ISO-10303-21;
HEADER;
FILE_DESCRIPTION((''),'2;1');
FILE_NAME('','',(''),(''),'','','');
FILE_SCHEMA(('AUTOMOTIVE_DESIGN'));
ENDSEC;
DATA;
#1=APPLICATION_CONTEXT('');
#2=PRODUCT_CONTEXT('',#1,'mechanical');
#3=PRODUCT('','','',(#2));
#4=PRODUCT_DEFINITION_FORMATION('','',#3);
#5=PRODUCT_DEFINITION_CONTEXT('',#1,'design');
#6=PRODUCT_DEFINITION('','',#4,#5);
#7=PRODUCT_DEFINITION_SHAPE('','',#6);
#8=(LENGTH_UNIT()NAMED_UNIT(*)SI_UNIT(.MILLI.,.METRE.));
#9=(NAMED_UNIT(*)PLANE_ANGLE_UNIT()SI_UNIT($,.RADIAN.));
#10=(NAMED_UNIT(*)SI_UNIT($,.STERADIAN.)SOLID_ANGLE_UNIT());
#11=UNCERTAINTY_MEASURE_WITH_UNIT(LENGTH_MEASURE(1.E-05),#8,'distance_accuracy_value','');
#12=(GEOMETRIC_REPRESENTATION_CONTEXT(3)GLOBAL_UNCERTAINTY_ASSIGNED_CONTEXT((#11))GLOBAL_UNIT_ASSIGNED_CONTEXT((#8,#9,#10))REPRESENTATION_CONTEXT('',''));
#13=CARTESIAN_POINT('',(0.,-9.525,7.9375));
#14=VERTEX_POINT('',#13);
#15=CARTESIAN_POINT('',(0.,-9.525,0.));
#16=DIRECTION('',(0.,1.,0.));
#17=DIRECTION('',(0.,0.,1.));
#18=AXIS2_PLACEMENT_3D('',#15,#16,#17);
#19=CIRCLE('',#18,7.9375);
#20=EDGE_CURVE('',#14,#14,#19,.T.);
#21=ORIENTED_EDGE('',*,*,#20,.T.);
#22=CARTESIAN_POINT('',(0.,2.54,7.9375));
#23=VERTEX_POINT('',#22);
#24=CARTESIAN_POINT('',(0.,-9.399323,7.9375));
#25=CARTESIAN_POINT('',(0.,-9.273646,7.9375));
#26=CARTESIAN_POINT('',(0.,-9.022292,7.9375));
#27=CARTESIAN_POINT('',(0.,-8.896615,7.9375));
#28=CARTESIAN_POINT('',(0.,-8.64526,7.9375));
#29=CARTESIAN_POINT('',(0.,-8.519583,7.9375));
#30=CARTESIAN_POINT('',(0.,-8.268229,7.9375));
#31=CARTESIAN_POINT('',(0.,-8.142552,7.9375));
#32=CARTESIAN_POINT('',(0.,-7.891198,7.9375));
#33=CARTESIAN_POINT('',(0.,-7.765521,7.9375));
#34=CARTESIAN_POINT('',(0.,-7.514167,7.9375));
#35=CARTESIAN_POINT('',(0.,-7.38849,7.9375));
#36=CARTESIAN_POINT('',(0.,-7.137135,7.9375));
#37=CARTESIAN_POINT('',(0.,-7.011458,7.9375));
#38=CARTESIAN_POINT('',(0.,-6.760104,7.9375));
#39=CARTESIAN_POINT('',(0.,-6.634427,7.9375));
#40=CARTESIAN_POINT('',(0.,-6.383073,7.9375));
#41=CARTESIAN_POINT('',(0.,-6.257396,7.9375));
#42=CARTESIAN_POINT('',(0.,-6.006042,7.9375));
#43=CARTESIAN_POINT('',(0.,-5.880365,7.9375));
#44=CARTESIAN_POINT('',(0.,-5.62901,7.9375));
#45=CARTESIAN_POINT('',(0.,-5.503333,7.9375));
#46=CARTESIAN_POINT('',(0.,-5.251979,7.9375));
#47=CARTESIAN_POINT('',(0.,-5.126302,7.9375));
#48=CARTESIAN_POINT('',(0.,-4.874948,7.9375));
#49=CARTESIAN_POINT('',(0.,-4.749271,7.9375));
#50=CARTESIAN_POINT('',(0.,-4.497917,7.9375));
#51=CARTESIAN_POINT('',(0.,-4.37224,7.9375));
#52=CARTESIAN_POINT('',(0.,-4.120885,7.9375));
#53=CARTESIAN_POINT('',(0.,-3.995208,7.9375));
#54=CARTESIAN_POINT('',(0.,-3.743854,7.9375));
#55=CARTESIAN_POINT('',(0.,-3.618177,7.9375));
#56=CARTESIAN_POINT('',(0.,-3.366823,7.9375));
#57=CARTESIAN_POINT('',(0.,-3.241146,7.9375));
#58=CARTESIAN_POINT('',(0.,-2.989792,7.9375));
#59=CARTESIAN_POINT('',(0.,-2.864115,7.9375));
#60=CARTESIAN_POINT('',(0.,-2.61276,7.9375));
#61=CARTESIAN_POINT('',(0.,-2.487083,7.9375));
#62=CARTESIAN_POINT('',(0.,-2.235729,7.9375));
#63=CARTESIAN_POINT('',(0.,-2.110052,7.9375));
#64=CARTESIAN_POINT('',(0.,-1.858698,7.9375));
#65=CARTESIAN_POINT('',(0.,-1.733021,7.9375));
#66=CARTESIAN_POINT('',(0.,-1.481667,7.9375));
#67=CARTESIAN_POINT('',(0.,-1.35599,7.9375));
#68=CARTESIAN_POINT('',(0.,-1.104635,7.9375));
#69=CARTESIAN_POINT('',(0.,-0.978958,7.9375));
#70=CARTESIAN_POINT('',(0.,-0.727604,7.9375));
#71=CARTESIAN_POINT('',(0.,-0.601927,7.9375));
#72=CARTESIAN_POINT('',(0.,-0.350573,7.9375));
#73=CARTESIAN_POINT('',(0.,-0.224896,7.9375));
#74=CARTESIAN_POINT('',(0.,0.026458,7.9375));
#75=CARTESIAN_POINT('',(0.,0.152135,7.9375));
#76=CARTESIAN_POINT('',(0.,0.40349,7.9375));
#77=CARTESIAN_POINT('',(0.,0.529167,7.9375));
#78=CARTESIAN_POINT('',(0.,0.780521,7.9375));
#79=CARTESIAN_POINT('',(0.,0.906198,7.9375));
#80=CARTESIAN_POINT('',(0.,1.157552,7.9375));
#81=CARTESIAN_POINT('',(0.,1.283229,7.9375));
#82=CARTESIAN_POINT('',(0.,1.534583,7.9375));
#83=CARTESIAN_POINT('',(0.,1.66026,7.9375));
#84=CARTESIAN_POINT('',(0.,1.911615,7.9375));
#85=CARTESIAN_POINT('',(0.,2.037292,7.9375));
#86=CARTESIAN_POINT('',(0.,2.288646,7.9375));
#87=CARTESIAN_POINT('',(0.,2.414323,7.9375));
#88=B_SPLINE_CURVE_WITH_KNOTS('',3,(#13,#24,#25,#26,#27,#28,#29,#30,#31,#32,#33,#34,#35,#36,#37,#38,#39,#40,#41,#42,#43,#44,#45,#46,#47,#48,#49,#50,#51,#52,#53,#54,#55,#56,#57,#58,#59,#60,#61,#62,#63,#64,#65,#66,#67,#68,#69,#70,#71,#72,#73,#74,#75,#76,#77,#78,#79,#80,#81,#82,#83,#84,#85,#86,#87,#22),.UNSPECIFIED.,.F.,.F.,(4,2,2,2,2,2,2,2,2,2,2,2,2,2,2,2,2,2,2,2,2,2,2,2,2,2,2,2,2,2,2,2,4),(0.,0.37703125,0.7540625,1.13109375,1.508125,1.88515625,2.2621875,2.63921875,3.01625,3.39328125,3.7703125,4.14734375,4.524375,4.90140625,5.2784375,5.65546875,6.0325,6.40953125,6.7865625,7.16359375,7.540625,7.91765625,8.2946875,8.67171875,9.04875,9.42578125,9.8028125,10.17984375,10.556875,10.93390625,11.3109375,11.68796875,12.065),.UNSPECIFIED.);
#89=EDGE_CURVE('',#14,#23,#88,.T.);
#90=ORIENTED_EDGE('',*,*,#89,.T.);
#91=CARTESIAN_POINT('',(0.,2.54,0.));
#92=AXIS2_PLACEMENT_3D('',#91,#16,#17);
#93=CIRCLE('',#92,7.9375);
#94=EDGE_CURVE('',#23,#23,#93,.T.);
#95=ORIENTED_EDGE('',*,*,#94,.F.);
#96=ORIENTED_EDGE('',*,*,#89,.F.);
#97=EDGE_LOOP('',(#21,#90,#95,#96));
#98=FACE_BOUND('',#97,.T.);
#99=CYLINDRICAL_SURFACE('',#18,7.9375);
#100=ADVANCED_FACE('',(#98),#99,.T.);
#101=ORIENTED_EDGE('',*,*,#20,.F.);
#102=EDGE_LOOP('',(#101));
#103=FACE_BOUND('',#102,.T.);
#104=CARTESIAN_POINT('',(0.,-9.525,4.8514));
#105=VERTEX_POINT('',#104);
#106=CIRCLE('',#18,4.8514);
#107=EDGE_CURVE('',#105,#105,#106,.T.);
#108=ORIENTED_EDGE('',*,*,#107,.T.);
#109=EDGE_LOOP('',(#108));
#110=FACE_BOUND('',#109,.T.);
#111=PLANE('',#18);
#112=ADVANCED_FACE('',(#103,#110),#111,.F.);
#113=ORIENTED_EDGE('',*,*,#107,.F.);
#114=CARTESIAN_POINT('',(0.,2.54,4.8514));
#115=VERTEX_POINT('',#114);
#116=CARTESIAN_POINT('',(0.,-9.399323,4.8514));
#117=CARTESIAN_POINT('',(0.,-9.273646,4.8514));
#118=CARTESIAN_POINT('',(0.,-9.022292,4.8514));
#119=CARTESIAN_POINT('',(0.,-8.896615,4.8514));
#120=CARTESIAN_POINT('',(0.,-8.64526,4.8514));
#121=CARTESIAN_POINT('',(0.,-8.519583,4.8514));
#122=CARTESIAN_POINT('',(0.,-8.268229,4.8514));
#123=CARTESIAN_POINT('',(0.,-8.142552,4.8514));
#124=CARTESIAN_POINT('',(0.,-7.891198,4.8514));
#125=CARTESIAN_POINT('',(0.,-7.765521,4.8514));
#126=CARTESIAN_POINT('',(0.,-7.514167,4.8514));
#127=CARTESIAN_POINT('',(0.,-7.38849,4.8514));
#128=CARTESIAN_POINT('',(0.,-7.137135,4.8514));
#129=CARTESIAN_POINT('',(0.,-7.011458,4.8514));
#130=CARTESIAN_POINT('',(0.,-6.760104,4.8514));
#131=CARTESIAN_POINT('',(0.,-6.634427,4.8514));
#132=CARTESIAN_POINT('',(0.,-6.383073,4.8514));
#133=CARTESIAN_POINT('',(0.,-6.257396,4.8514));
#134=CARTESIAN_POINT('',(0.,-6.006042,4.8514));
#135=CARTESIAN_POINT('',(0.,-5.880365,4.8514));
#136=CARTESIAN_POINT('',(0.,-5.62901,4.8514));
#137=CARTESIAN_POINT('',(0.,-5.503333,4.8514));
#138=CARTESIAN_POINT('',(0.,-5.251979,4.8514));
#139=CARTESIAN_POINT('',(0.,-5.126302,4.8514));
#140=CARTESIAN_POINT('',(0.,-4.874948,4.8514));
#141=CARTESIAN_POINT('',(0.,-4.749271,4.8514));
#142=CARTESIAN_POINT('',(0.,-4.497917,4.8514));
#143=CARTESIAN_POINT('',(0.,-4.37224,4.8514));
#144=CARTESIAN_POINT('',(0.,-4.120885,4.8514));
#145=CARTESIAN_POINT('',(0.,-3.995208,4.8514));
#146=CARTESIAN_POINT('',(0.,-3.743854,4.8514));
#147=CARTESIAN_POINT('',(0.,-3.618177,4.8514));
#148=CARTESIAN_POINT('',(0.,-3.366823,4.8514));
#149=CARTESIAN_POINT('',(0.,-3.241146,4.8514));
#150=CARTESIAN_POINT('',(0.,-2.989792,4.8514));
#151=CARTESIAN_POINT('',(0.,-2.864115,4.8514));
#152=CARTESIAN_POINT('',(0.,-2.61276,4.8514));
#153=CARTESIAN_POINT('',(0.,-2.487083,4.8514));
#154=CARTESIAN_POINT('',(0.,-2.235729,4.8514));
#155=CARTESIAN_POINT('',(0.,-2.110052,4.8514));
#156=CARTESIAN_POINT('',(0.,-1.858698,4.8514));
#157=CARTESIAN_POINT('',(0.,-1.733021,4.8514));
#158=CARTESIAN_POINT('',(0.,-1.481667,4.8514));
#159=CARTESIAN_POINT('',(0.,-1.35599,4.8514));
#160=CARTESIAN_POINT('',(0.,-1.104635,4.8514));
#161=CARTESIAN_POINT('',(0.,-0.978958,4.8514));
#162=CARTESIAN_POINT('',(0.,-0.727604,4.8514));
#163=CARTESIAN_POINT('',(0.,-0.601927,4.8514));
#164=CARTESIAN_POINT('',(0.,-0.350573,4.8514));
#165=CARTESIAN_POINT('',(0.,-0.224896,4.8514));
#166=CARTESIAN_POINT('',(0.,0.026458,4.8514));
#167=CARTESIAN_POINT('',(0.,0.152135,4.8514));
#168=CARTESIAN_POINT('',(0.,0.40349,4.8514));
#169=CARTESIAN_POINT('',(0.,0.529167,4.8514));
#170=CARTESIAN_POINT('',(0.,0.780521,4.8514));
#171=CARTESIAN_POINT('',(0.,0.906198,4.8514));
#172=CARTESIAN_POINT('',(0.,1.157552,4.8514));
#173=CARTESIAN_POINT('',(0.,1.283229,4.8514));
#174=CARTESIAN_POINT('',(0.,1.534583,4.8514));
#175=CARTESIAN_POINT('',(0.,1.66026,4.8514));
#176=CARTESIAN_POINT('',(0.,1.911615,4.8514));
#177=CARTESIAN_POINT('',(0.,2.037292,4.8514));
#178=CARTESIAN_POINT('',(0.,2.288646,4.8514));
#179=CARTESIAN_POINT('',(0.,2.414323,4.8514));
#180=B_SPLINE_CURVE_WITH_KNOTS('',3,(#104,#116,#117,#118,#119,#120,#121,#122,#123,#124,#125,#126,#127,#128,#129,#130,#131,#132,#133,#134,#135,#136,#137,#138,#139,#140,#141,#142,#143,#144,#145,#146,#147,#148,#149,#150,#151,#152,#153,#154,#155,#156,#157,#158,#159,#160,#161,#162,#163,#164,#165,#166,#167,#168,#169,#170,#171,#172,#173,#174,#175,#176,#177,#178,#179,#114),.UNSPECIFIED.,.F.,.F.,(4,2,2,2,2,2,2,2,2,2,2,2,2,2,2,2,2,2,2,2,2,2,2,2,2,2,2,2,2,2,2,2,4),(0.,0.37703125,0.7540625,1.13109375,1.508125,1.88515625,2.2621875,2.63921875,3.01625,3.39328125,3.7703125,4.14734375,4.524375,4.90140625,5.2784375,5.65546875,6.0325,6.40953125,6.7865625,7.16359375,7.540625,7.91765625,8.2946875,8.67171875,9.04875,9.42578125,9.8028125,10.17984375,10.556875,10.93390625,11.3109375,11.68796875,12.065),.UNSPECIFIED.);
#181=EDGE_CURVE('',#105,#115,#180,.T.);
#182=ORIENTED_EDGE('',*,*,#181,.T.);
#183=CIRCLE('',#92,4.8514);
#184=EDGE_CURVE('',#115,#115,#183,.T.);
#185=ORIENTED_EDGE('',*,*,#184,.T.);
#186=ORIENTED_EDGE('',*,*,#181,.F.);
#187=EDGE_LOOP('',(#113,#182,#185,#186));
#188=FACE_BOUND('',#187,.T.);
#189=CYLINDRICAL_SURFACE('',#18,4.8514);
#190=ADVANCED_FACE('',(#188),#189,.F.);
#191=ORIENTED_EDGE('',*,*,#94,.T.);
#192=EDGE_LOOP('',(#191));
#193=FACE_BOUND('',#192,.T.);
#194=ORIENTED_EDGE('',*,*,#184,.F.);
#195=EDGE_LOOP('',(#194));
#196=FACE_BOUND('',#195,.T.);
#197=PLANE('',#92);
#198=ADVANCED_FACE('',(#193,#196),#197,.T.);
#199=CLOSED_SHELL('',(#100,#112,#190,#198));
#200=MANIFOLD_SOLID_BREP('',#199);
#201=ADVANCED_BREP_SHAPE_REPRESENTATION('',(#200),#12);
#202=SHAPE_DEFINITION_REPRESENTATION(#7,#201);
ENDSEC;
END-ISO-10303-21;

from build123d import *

# Parameters (mm, degrees)
BOSS_EXTRUDE1_DEPTH      = 2.54
BOSS_EXTRUDE1_DEPTH_BACK = 9.525
SKETCH1_R                = 7.9375
SKETCH1_R_2              = 4.8514


with BuildPart() as part:
    # Sketch1 → Boss-Extrude1 (new, two sides: drawn at the far end of the back side and taken through both)
    with BuildSketch(Plane(origin=(0, 0, 0), x_dir=(1, 0, 0), z_dir=(0, 1, 0)).offset(-BOSS_EXTRUDE1_DEPTH_BACK)):
        with Locations(Location((0, 0, 0), (0, 0, 270))):
            Circle(SKETCH1_R)
        with Locations(Location((0, 0, 0), (0, 0, 270))):
            Circle(SKETCH1_R_2, mode=Mode.SUBTRACT)
    extrude(amount=BOSS_EXTRUDE1_DEPTH + BOSS_EXTRUDE1_DEPTH_BACK)


solid = part.part
